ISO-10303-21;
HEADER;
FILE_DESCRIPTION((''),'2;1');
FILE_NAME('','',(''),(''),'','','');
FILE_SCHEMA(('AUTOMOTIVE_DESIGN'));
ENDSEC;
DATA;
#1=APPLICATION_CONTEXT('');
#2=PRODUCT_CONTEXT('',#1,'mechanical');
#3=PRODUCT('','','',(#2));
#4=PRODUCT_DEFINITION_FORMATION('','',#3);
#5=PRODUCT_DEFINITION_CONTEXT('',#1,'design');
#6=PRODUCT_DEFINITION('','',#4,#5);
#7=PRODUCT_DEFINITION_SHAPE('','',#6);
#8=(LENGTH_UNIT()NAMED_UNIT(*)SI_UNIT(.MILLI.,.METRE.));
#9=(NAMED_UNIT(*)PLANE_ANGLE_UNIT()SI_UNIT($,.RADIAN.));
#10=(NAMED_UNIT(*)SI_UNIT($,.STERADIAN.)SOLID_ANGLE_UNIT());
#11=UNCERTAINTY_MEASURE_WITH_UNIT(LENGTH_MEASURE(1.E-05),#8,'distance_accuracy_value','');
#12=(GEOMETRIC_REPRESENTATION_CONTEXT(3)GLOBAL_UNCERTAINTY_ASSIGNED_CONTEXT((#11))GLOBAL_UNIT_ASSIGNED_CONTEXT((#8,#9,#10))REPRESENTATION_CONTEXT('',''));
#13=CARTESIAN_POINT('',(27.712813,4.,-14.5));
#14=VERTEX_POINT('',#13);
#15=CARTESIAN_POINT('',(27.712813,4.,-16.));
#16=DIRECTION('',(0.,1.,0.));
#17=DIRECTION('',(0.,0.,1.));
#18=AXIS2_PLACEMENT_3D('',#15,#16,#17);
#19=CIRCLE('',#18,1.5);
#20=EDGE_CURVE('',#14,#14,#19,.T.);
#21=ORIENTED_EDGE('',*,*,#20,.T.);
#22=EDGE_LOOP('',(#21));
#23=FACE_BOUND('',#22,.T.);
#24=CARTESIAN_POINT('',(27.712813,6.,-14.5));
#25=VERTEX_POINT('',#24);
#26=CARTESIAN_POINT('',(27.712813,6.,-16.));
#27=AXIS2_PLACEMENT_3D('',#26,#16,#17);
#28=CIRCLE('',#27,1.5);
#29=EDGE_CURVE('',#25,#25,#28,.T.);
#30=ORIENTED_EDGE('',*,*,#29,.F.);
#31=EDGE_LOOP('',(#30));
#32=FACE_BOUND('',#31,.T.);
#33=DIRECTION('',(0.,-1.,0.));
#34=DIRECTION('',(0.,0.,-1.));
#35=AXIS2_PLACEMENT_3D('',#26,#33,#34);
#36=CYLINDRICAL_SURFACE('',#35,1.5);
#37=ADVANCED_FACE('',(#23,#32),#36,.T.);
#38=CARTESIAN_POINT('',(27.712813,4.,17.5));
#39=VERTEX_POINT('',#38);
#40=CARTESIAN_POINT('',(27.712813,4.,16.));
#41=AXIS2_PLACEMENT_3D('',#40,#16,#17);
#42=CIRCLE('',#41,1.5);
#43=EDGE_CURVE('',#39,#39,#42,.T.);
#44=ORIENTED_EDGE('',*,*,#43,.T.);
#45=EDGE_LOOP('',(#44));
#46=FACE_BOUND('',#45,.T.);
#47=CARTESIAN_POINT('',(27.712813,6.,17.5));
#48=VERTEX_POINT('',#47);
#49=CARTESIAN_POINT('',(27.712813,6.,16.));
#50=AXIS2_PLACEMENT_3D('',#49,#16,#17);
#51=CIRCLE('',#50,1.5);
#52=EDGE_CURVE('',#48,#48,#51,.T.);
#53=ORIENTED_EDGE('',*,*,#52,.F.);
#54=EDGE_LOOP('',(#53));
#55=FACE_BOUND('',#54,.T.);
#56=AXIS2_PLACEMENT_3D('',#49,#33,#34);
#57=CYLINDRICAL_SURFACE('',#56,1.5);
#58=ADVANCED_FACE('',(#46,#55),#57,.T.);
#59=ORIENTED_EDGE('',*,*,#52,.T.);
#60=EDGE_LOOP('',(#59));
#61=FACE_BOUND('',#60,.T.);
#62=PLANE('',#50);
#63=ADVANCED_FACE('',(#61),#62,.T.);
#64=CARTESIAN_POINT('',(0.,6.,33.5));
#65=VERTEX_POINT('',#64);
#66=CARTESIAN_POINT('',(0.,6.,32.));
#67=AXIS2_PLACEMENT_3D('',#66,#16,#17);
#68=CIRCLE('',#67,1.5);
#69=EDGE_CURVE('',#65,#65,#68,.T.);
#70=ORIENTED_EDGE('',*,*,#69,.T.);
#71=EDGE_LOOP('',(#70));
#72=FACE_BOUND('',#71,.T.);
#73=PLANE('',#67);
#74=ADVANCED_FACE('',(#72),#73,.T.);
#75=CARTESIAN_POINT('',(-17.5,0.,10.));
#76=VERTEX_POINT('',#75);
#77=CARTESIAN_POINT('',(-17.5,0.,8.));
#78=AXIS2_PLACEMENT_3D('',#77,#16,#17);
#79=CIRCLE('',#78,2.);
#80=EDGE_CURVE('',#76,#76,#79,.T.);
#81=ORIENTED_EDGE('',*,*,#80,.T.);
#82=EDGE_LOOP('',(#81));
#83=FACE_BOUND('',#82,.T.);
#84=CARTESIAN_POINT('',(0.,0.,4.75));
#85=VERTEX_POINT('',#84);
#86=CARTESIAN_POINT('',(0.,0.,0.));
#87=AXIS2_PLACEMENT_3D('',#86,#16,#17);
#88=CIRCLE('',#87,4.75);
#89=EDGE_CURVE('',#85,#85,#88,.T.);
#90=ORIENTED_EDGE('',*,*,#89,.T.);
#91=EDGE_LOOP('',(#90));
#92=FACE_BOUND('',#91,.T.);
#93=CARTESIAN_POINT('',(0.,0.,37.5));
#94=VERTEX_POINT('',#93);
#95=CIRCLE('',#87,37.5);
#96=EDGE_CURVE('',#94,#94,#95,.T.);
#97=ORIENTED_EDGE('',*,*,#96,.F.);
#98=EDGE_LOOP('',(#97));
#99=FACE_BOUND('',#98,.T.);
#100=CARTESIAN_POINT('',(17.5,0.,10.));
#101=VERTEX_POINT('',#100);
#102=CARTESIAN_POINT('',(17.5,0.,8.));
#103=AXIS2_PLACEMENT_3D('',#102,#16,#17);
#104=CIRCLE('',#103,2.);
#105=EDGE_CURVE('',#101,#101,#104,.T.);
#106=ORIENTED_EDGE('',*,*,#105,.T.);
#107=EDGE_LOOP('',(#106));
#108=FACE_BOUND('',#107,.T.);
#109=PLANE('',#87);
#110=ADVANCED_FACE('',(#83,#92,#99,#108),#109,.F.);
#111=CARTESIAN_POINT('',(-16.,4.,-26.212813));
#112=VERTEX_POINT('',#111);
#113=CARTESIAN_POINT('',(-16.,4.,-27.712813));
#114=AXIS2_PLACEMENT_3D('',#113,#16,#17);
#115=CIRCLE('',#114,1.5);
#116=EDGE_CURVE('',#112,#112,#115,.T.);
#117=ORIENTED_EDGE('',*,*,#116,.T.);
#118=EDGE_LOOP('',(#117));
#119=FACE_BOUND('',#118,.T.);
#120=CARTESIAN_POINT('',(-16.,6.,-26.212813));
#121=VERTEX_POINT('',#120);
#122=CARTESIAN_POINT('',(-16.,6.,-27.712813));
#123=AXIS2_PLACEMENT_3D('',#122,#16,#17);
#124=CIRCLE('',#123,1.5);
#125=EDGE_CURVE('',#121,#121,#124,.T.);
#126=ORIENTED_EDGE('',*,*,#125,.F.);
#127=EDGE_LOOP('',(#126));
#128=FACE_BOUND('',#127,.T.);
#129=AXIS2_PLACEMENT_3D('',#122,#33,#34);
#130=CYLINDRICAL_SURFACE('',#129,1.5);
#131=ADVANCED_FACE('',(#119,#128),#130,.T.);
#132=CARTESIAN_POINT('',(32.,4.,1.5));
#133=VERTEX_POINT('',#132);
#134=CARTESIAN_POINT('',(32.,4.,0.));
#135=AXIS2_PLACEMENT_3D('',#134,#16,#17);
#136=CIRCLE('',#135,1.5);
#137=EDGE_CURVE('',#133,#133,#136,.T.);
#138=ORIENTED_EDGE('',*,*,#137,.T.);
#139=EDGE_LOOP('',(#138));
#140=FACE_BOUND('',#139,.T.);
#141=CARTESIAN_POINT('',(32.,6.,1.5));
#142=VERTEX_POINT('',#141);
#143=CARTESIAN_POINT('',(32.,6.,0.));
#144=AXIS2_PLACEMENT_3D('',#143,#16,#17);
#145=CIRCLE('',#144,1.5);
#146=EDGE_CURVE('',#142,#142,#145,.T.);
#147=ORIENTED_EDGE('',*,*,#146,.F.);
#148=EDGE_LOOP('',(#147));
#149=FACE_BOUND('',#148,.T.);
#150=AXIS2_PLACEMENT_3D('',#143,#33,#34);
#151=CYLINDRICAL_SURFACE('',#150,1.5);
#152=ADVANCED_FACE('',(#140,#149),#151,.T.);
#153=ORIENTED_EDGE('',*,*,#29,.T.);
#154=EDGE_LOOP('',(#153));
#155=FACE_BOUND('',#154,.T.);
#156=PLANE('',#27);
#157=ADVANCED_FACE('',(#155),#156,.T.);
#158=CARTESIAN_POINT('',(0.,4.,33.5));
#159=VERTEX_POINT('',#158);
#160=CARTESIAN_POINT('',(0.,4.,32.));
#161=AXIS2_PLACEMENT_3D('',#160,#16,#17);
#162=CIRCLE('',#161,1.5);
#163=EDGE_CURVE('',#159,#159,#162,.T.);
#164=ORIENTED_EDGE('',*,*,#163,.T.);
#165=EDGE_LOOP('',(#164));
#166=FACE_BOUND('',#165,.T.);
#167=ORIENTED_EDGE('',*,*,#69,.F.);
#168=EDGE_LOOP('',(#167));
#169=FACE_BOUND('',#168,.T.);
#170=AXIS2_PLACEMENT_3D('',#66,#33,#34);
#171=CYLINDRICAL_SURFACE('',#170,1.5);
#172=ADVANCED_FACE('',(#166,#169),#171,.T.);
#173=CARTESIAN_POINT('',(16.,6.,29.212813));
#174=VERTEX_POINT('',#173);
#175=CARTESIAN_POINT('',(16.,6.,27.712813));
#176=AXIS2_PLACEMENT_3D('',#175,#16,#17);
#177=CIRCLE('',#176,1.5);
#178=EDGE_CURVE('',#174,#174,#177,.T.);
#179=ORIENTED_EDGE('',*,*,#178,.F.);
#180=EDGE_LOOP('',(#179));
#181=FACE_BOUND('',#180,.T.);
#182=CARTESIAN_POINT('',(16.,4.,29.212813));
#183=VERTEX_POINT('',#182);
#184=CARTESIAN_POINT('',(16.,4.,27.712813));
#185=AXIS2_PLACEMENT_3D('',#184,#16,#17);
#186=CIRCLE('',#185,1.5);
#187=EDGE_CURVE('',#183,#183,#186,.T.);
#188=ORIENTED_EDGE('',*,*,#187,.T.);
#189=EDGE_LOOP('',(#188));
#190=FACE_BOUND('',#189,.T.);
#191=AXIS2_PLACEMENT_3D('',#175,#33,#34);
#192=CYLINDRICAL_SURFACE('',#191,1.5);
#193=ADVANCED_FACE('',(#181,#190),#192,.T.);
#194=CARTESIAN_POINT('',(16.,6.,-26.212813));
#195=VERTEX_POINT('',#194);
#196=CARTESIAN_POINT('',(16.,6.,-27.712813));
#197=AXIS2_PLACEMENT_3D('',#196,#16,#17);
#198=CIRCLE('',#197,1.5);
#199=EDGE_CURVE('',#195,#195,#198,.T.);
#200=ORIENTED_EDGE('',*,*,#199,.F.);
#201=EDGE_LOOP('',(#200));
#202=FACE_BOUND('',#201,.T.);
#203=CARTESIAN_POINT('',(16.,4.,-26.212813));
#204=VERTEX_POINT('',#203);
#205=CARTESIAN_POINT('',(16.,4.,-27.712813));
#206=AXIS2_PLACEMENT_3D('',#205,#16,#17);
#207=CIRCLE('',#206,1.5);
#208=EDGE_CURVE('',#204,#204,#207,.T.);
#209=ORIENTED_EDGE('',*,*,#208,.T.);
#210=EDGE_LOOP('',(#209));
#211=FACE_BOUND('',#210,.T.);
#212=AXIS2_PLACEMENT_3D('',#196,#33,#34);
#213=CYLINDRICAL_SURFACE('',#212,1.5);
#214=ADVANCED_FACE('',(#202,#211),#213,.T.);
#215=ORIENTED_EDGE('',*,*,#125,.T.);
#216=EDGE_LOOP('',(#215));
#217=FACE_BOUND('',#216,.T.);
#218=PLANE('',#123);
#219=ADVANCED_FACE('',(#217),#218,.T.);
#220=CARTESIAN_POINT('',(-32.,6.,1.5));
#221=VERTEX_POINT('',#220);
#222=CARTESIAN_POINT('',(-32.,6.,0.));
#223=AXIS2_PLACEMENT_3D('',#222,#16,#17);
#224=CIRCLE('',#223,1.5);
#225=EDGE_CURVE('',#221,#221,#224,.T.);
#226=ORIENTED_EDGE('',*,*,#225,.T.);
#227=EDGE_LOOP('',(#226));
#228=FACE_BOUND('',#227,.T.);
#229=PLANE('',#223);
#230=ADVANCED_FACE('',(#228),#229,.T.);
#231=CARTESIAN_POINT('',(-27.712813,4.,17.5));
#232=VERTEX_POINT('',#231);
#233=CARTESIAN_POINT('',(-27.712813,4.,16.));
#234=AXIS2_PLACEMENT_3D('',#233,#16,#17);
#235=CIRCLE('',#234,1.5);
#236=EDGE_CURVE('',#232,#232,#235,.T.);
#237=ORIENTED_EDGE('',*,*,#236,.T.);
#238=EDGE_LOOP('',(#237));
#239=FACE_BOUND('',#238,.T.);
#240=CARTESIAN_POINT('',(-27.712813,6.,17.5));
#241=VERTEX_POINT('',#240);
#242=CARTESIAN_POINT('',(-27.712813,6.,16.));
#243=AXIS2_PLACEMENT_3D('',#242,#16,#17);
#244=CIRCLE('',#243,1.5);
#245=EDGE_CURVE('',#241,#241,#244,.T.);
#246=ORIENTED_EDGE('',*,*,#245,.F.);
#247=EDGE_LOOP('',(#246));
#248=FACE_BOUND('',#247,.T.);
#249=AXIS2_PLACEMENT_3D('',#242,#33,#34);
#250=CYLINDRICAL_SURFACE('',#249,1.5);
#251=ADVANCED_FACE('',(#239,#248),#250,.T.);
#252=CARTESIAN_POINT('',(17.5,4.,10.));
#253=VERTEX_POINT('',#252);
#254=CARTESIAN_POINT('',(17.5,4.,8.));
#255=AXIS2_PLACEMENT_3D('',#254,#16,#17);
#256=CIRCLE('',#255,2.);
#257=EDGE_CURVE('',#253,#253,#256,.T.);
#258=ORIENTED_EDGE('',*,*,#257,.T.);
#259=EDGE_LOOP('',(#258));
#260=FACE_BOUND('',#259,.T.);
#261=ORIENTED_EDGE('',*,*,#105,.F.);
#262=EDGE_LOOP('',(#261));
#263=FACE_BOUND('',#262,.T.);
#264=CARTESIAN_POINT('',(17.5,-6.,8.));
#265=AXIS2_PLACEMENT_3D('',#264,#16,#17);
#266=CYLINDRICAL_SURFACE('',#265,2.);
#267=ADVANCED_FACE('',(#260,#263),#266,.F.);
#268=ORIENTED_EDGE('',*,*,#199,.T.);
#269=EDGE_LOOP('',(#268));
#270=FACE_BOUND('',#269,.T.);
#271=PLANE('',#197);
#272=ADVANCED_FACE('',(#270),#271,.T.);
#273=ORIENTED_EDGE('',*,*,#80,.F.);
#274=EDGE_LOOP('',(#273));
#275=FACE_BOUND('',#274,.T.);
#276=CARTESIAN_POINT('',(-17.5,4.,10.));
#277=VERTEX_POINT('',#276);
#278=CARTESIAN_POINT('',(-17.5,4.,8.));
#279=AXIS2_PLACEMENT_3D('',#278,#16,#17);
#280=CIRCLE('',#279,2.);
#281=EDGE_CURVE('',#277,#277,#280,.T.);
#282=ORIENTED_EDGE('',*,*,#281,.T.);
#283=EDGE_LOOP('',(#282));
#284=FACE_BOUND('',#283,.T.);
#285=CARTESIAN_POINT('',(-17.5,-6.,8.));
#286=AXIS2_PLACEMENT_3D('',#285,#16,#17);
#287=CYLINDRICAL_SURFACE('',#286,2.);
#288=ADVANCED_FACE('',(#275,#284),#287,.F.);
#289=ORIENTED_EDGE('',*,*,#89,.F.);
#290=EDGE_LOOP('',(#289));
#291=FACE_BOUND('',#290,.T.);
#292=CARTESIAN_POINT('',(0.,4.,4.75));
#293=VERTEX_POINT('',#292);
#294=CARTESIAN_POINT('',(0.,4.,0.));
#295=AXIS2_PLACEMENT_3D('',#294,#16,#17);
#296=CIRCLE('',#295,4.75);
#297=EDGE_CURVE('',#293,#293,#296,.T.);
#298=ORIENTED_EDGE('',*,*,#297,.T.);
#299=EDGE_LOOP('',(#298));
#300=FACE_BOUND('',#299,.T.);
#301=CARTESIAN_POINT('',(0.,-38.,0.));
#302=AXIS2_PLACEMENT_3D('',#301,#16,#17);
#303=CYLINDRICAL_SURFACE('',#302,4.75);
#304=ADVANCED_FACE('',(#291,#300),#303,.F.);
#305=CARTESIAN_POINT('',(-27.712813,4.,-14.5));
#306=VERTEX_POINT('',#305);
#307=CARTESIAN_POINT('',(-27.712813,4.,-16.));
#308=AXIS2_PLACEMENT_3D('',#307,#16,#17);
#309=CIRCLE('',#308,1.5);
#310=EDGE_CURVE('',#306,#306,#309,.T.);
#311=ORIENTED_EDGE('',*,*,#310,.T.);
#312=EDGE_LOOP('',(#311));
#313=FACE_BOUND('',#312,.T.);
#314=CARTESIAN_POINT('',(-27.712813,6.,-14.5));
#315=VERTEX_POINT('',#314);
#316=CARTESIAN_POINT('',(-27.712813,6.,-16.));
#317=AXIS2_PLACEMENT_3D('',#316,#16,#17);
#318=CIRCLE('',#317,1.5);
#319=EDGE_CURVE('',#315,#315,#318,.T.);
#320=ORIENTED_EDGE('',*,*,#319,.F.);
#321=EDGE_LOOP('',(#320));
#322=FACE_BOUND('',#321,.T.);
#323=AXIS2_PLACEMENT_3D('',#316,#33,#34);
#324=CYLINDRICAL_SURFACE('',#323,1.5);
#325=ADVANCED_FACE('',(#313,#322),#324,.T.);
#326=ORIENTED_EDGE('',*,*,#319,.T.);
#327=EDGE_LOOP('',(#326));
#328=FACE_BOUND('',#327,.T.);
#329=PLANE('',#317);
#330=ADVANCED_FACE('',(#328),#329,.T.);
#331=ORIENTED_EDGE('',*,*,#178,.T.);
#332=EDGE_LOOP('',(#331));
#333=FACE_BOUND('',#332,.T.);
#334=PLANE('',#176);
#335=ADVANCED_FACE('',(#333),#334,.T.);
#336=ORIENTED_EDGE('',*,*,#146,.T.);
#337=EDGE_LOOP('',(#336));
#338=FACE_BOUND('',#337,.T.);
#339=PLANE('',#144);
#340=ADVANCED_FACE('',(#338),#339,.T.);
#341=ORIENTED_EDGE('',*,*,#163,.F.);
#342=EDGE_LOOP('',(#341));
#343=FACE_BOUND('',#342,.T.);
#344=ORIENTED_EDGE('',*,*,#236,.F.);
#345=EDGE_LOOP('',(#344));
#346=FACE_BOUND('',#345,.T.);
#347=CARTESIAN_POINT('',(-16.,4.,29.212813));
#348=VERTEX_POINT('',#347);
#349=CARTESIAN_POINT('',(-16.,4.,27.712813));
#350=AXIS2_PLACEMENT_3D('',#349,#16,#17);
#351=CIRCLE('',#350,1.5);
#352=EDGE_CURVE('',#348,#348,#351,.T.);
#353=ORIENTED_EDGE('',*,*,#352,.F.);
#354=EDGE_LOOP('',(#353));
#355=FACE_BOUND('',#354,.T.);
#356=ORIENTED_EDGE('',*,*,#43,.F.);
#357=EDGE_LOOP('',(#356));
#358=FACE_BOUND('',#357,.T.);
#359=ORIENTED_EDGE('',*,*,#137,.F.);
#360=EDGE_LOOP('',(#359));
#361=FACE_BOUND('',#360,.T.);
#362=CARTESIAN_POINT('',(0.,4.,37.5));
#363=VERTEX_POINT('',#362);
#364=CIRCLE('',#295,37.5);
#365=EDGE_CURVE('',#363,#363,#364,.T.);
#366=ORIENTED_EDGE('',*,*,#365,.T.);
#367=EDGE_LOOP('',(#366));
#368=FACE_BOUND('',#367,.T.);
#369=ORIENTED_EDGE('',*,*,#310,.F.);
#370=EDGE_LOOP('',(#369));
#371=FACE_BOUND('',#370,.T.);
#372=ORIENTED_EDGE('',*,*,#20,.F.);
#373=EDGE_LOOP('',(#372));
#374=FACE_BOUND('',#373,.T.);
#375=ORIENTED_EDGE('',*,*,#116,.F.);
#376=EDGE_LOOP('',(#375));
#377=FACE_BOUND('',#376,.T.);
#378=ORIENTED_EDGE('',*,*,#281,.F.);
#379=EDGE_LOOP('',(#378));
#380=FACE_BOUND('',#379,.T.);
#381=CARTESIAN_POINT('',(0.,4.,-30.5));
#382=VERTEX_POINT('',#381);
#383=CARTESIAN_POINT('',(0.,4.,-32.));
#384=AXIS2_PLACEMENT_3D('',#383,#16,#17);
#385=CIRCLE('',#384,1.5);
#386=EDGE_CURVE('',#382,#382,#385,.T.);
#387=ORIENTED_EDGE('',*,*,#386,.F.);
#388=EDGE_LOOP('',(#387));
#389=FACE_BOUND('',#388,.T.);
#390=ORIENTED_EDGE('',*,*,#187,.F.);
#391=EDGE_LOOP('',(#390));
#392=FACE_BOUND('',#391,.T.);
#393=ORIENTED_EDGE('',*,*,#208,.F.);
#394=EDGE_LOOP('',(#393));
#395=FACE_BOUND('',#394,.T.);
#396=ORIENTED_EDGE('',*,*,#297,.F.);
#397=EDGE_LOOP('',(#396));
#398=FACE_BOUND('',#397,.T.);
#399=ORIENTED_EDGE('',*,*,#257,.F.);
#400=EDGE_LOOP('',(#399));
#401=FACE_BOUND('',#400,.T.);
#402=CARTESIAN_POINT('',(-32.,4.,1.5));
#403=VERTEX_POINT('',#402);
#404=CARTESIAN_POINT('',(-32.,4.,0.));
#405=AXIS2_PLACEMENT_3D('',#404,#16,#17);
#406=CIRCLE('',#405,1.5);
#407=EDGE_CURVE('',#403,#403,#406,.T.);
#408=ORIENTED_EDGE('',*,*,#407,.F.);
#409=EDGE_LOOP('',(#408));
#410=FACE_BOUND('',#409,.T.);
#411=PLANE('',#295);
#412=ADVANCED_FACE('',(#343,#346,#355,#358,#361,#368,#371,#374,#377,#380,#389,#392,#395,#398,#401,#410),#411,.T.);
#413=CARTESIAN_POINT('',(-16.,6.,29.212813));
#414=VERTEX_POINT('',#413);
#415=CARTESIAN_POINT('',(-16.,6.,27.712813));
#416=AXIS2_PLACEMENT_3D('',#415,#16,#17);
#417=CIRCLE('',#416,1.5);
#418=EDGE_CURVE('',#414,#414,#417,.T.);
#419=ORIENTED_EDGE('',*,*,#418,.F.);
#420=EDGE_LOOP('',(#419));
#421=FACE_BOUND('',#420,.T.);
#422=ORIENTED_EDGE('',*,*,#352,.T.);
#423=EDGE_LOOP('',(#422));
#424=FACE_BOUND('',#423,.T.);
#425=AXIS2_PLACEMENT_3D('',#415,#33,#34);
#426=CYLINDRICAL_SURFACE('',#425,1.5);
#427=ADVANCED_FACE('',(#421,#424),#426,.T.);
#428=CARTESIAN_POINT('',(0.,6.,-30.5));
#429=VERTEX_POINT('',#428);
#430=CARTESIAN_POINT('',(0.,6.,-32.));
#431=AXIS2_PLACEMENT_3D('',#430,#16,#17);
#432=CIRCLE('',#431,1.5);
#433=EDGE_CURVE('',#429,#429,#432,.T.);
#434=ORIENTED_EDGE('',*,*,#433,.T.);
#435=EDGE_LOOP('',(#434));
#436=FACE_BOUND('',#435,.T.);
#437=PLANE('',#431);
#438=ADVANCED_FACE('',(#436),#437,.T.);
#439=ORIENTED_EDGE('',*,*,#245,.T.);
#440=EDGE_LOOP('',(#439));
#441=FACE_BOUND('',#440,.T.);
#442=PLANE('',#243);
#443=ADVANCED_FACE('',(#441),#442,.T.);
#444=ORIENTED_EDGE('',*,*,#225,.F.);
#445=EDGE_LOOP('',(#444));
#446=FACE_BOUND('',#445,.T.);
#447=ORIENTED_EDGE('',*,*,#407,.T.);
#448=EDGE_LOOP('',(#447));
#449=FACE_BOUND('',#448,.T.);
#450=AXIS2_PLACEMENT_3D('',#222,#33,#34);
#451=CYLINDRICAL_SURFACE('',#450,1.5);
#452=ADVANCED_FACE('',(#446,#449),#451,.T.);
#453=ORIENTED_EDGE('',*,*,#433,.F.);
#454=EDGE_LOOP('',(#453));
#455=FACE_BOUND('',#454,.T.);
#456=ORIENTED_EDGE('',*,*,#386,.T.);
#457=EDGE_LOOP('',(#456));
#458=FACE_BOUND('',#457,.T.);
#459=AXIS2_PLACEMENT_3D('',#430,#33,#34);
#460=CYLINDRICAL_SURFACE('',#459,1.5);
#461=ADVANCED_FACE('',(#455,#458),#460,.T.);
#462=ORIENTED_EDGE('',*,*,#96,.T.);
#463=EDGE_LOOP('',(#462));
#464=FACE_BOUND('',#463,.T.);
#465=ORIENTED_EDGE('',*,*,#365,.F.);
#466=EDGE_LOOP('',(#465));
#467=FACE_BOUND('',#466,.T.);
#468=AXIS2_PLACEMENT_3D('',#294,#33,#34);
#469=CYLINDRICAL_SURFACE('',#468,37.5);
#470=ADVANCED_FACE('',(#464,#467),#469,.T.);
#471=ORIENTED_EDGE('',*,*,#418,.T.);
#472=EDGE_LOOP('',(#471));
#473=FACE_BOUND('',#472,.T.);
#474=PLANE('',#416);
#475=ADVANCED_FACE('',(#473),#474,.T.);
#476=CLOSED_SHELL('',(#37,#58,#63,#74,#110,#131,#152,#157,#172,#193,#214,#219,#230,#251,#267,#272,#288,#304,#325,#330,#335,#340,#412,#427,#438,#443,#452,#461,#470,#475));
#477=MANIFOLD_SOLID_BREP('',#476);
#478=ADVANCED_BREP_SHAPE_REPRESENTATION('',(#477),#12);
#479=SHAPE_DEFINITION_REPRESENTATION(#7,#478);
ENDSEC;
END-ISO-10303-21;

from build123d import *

# Parameters (mm, degrees)
SKETCH1_R           = 37.5
BOSS_EXTRUDE1_DEPTH = 4
SKETCH4_R           = 1.5
BOSS_EXTRUDE2_DEPTH = 2
SKETCH5_R           = 2
CUT_EXTRUDE2_DEPTH  = 10
SKETCH6_R           = 4.75
CUT_EXTRUDE3_DEPTH  = 42


with BuildPart() as part:
    # Sketch1 → Boss-Extrude1 (new body)
    with BuildSketch(Plane(origin=(0, 0, 0), x_dir=(1, 0, 0), z_dir=(0, 1, 0))):
        Circle(SKETCH1_R)
    extrude(amount=BOSS_EXTRUDE1_DEPTH)

    # Sketch4 → Boss-Extrude2 (add)
    with BuildSketch(Plane(origin=(0, 4, 0), x_dir=(1, 0, 0), z_dir=(0, 1, 0))):
        with Locations((0, 32)):
            Circle(SKETCH4_R)
        with Locations((16, 27.712812921)):
            Circle(SKETCH4_R)
        with Locations((27.712812921, 16)):
            Circle(SKETCH4_R)
        with Locations((32, 0)):
            Circle(SKETCH4_R)
        with Locations((27.712812921, -16)):
            Circle(SKETCH4_R)
        with Locations((16, -27.712812921)):
            Circle(SKETCH4_R)
        with Locations((0, -32)):
            Circle(SKETCH4_R)
        with Locations((-16, -27.712812921)):
            Circle(SKETCH4_R)
        with Locations((-27.712812921, -16)):
            Circle(SKETCH4_R)
        with Locations((-32, 0)):
            Circle(SKETCH4_R)
        with Locations((-27.712812921, 16)):
            Circle(SKETCH4_R)
        with Locations((-16, 27.712812921)):
            Circle(SKETCH4_R)
    extrude(amount=BOSS_EXTRUDE2_DEPTH)

    # Sketch5 → Cut-Extrude2 (cut)
    with BuildSketch(Plane(origin=(0, 4, 0), x_dir=(1, 0, 0), z_dir=(0, 1, 0))):
        with Locations((-17.5, -8)):
            Circle(SKETCH5_R)
        with Locations((17.5, -8)):
            Circle(SKETCH5_R)
    extrude(amount=-CUT_EXTRUDE2_DEPTH, mode=Mode.SUBTRACT)

    # Sketch6 → Cut-Extrude3 (cut)
    with BuildSketch(Plane(origin=(0, 4, 0), x_dir=(1, 0, 0), z_dir=(0, 1, 0))):
        Circle(SKETCH6_R)
    extrude(amount=-CUT_EXTRUDE3_DEPTH, mode=Mode.SUBTRACT)


solid = part.part
